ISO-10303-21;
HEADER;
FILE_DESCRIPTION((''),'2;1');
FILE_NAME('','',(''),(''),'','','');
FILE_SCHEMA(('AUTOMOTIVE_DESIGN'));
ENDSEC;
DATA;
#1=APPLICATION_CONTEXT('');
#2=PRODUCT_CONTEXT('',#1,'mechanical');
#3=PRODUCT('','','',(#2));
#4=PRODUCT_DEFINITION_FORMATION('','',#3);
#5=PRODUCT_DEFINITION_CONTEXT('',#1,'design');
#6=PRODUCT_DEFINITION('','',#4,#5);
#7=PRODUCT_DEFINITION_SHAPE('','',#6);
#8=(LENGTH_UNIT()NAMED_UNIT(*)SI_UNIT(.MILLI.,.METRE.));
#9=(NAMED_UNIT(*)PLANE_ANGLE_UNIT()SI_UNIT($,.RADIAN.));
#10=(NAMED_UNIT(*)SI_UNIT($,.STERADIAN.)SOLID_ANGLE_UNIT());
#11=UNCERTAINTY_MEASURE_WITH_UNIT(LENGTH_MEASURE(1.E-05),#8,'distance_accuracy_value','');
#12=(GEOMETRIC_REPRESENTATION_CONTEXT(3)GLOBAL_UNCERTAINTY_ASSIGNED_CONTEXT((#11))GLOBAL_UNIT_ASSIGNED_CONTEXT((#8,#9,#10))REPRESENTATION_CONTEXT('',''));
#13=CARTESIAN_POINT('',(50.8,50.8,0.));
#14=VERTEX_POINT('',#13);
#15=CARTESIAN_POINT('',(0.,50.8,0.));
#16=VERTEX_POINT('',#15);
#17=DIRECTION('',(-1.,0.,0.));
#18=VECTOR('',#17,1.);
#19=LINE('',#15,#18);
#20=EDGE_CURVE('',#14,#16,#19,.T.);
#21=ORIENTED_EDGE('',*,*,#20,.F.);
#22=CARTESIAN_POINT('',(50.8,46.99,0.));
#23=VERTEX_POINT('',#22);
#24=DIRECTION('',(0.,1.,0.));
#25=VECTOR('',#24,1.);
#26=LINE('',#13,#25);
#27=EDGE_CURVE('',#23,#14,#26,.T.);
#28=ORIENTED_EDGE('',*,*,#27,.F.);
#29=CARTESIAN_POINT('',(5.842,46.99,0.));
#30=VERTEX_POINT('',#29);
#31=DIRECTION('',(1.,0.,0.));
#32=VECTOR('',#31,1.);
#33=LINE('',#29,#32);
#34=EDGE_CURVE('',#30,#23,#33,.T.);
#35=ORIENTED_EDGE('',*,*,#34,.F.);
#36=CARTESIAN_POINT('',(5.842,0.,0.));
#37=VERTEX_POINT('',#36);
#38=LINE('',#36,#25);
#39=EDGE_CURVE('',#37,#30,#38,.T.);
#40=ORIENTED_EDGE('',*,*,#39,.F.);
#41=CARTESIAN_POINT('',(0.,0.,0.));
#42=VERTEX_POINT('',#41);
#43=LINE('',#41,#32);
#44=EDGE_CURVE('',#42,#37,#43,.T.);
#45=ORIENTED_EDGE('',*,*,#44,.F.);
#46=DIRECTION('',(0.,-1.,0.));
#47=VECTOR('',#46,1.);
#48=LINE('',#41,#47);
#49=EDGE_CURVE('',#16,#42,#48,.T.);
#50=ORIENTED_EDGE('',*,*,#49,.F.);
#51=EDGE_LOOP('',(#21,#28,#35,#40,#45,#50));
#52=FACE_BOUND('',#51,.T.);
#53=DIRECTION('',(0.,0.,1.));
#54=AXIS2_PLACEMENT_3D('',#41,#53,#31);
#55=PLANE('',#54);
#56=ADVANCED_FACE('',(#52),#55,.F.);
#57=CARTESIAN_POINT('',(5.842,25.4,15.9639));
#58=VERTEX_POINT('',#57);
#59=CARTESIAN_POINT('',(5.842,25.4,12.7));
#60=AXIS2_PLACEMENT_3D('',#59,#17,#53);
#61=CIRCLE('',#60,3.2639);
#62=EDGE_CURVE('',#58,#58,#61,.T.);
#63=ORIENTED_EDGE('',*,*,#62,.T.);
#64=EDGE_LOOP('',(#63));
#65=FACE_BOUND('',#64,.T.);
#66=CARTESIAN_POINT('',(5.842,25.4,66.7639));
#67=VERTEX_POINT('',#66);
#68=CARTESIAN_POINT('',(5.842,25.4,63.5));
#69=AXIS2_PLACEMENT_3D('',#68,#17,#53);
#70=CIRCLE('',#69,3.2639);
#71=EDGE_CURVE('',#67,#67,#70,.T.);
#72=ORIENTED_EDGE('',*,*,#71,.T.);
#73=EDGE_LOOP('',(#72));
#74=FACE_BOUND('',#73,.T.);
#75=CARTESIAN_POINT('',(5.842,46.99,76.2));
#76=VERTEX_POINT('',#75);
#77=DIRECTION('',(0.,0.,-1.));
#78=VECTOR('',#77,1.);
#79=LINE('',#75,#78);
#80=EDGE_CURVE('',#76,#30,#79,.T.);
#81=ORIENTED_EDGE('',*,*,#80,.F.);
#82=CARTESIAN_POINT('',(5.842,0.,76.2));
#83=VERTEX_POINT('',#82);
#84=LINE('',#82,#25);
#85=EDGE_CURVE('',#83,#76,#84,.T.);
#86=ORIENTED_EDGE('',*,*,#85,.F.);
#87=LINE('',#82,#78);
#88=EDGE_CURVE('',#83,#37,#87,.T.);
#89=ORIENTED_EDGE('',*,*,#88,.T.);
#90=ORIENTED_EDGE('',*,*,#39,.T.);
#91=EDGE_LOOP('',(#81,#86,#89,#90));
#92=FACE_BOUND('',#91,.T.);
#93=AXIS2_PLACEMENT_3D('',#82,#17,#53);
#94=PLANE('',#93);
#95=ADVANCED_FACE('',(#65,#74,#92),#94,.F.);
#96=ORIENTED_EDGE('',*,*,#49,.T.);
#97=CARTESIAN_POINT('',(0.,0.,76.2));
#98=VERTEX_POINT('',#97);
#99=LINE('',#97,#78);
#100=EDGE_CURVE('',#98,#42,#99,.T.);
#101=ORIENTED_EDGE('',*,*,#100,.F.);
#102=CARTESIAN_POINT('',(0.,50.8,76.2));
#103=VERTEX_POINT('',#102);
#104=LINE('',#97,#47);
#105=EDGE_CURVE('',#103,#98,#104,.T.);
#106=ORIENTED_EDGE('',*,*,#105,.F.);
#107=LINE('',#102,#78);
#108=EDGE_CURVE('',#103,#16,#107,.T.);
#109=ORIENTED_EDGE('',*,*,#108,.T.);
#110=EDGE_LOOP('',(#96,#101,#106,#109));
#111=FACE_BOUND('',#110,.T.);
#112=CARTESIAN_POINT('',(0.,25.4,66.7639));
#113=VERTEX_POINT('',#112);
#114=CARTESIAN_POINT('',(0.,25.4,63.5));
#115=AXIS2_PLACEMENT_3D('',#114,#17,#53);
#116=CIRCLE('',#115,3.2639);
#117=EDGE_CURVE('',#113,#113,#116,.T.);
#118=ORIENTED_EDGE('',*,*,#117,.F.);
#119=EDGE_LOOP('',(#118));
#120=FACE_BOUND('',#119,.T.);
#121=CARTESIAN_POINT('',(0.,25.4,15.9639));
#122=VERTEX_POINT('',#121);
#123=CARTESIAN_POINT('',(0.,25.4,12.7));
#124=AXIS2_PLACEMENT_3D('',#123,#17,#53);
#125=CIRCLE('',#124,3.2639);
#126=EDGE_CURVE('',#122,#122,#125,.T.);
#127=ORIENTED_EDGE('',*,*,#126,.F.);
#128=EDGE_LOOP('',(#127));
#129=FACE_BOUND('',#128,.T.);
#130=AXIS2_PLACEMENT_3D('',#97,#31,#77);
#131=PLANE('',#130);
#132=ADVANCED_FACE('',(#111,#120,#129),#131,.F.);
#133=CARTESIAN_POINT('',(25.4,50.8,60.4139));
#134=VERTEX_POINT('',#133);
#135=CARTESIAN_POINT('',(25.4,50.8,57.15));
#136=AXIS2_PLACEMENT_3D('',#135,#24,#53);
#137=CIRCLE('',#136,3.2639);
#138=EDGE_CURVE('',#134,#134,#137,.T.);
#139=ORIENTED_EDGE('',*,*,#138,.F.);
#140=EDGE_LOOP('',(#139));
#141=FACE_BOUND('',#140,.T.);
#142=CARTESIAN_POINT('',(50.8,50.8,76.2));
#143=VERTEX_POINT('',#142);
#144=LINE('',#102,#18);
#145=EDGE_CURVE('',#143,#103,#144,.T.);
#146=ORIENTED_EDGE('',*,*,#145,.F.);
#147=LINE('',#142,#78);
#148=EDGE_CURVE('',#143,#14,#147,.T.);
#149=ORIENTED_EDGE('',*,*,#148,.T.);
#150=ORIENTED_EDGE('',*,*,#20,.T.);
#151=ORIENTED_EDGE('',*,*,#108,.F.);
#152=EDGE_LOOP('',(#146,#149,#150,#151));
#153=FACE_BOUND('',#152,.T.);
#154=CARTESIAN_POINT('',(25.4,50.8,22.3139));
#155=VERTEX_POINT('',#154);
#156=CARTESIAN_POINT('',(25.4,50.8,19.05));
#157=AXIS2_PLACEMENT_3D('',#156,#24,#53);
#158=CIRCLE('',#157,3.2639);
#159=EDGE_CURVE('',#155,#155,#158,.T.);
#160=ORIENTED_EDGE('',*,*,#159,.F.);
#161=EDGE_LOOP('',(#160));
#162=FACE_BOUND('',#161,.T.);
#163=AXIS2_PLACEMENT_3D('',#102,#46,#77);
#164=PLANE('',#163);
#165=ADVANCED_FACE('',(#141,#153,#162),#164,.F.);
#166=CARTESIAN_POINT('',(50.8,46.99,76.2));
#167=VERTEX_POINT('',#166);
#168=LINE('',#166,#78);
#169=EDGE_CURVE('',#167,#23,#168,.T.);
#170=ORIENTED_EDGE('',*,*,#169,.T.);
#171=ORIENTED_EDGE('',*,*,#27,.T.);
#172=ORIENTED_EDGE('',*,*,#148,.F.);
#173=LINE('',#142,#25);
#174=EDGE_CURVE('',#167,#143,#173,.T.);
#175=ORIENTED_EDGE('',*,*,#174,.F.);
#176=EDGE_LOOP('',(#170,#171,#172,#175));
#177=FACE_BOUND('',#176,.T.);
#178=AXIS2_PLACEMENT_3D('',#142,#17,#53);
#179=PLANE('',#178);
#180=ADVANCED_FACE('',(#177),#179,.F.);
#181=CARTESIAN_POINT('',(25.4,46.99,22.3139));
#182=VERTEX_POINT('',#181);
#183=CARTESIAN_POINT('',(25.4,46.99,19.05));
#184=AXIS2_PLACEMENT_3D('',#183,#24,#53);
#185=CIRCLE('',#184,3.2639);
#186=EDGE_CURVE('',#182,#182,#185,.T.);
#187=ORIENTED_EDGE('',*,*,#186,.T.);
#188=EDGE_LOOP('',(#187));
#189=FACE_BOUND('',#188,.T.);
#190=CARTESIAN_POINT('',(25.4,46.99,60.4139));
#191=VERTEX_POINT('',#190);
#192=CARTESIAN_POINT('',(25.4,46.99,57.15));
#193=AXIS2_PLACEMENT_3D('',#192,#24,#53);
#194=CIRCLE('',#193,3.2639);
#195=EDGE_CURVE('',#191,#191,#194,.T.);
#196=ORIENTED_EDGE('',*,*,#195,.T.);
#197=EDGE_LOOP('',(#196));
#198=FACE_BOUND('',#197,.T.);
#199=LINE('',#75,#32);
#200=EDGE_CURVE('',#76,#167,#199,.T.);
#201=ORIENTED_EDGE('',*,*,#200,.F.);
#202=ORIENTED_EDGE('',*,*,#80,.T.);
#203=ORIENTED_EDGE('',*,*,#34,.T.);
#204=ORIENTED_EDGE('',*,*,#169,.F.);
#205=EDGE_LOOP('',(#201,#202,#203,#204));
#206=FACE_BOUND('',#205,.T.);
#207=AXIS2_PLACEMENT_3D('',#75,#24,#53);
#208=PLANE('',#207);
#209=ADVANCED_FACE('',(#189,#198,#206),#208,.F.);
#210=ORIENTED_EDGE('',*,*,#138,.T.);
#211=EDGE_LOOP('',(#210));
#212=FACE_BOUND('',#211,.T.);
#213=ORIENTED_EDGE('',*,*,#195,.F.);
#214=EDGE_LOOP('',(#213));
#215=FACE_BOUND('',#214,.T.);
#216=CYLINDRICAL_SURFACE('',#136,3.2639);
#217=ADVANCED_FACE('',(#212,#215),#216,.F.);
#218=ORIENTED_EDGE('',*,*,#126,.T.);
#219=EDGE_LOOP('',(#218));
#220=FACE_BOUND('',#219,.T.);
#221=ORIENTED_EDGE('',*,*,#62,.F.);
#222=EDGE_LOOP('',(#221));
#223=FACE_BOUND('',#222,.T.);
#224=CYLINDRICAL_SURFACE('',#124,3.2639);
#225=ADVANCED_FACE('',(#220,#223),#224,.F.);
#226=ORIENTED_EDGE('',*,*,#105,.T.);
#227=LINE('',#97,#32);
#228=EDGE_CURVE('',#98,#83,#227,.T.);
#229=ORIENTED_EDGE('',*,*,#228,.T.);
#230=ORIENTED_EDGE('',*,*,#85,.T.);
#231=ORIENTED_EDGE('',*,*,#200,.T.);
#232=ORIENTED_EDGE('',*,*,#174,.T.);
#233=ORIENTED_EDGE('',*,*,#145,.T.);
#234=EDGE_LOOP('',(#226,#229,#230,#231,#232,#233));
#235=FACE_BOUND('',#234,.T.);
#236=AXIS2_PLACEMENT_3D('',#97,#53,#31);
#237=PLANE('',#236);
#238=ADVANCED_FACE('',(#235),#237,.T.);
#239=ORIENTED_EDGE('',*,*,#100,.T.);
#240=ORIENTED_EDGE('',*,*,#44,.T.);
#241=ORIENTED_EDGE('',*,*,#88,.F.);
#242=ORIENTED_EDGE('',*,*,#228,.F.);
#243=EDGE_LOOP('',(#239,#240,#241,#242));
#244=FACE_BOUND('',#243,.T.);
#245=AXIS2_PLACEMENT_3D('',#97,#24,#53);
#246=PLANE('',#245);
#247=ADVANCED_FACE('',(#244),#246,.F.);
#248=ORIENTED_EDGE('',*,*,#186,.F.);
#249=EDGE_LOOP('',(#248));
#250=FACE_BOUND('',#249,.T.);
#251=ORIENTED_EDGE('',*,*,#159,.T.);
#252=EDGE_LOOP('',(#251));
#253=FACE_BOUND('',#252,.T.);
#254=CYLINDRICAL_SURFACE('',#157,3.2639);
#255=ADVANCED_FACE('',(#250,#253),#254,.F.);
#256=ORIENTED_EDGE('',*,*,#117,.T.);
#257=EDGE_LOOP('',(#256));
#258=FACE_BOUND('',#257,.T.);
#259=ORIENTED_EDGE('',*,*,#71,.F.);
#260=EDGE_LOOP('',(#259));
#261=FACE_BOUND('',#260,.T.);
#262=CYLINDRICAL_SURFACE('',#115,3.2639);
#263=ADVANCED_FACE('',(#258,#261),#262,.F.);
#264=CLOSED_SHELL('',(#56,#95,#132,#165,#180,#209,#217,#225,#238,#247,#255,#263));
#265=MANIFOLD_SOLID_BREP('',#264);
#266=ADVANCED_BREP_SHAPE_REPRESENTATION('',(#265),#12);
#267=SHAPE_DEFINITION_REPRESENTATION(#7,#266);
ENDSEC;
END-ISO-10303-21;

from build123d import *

# Parameters (mm, degrees)
BOSS_EXTRUDE1_DEPTH                    = 76.2
F_0_257_DIAMETER_HOLE1_D               = 6.5278
F_0_257_DIAMETER_HOLE1_DEPTH           = 5.842
F_0_257_DIAMETER_HOLE1_ON_FACE_2_D     = 6.5278
F_0_257_DIAMETER_HOLE1_ON_FACE_2_DEPTH = 5.842


with BuildPart() as part:
    # Sketch1 → Boss-Extrude1 (new body)
    with BuildSketch(Plane.XY):
        Polygon((0, 0), (0, 50.8), (50.8, 50.8), (50.8, 46.99), (5.842, 46.99), (5.842, 0), align=None)
    extrude(amount=BOSS_EXTRUDE1_DEPTH)

    # F (0.257) Diameter Hole1
    with Locations(Plane(origin=(0, 25.4, 12.7), x_dir=(0, 0, -1), z_dir=(-1, 0, 0))):
        with Locations((0, 0), (-50.8, 0)):
            Hole(F_0_257_DIAMETER_HOLE1_D / 2, depth=F_0_257_DIAMETER_HOLE1_DEPTH)

    # F (0.257) Diameter Hole1 on face 2
    with Locations(Plane(origin=(25.4, 50.8, 19.05), x_dir=(0, 0, 1), z_dir=(0, 1, 0))):
        with Locations((0, 0), (38.1, 0)):
            Hole(F_0_257_DIAMETER_HOLE1_ON_FACE_2_D / 2, depth=F_0_257_DIAMETER_HOLE1_ON_FACE_2_DEPTH)


solid = part.part
